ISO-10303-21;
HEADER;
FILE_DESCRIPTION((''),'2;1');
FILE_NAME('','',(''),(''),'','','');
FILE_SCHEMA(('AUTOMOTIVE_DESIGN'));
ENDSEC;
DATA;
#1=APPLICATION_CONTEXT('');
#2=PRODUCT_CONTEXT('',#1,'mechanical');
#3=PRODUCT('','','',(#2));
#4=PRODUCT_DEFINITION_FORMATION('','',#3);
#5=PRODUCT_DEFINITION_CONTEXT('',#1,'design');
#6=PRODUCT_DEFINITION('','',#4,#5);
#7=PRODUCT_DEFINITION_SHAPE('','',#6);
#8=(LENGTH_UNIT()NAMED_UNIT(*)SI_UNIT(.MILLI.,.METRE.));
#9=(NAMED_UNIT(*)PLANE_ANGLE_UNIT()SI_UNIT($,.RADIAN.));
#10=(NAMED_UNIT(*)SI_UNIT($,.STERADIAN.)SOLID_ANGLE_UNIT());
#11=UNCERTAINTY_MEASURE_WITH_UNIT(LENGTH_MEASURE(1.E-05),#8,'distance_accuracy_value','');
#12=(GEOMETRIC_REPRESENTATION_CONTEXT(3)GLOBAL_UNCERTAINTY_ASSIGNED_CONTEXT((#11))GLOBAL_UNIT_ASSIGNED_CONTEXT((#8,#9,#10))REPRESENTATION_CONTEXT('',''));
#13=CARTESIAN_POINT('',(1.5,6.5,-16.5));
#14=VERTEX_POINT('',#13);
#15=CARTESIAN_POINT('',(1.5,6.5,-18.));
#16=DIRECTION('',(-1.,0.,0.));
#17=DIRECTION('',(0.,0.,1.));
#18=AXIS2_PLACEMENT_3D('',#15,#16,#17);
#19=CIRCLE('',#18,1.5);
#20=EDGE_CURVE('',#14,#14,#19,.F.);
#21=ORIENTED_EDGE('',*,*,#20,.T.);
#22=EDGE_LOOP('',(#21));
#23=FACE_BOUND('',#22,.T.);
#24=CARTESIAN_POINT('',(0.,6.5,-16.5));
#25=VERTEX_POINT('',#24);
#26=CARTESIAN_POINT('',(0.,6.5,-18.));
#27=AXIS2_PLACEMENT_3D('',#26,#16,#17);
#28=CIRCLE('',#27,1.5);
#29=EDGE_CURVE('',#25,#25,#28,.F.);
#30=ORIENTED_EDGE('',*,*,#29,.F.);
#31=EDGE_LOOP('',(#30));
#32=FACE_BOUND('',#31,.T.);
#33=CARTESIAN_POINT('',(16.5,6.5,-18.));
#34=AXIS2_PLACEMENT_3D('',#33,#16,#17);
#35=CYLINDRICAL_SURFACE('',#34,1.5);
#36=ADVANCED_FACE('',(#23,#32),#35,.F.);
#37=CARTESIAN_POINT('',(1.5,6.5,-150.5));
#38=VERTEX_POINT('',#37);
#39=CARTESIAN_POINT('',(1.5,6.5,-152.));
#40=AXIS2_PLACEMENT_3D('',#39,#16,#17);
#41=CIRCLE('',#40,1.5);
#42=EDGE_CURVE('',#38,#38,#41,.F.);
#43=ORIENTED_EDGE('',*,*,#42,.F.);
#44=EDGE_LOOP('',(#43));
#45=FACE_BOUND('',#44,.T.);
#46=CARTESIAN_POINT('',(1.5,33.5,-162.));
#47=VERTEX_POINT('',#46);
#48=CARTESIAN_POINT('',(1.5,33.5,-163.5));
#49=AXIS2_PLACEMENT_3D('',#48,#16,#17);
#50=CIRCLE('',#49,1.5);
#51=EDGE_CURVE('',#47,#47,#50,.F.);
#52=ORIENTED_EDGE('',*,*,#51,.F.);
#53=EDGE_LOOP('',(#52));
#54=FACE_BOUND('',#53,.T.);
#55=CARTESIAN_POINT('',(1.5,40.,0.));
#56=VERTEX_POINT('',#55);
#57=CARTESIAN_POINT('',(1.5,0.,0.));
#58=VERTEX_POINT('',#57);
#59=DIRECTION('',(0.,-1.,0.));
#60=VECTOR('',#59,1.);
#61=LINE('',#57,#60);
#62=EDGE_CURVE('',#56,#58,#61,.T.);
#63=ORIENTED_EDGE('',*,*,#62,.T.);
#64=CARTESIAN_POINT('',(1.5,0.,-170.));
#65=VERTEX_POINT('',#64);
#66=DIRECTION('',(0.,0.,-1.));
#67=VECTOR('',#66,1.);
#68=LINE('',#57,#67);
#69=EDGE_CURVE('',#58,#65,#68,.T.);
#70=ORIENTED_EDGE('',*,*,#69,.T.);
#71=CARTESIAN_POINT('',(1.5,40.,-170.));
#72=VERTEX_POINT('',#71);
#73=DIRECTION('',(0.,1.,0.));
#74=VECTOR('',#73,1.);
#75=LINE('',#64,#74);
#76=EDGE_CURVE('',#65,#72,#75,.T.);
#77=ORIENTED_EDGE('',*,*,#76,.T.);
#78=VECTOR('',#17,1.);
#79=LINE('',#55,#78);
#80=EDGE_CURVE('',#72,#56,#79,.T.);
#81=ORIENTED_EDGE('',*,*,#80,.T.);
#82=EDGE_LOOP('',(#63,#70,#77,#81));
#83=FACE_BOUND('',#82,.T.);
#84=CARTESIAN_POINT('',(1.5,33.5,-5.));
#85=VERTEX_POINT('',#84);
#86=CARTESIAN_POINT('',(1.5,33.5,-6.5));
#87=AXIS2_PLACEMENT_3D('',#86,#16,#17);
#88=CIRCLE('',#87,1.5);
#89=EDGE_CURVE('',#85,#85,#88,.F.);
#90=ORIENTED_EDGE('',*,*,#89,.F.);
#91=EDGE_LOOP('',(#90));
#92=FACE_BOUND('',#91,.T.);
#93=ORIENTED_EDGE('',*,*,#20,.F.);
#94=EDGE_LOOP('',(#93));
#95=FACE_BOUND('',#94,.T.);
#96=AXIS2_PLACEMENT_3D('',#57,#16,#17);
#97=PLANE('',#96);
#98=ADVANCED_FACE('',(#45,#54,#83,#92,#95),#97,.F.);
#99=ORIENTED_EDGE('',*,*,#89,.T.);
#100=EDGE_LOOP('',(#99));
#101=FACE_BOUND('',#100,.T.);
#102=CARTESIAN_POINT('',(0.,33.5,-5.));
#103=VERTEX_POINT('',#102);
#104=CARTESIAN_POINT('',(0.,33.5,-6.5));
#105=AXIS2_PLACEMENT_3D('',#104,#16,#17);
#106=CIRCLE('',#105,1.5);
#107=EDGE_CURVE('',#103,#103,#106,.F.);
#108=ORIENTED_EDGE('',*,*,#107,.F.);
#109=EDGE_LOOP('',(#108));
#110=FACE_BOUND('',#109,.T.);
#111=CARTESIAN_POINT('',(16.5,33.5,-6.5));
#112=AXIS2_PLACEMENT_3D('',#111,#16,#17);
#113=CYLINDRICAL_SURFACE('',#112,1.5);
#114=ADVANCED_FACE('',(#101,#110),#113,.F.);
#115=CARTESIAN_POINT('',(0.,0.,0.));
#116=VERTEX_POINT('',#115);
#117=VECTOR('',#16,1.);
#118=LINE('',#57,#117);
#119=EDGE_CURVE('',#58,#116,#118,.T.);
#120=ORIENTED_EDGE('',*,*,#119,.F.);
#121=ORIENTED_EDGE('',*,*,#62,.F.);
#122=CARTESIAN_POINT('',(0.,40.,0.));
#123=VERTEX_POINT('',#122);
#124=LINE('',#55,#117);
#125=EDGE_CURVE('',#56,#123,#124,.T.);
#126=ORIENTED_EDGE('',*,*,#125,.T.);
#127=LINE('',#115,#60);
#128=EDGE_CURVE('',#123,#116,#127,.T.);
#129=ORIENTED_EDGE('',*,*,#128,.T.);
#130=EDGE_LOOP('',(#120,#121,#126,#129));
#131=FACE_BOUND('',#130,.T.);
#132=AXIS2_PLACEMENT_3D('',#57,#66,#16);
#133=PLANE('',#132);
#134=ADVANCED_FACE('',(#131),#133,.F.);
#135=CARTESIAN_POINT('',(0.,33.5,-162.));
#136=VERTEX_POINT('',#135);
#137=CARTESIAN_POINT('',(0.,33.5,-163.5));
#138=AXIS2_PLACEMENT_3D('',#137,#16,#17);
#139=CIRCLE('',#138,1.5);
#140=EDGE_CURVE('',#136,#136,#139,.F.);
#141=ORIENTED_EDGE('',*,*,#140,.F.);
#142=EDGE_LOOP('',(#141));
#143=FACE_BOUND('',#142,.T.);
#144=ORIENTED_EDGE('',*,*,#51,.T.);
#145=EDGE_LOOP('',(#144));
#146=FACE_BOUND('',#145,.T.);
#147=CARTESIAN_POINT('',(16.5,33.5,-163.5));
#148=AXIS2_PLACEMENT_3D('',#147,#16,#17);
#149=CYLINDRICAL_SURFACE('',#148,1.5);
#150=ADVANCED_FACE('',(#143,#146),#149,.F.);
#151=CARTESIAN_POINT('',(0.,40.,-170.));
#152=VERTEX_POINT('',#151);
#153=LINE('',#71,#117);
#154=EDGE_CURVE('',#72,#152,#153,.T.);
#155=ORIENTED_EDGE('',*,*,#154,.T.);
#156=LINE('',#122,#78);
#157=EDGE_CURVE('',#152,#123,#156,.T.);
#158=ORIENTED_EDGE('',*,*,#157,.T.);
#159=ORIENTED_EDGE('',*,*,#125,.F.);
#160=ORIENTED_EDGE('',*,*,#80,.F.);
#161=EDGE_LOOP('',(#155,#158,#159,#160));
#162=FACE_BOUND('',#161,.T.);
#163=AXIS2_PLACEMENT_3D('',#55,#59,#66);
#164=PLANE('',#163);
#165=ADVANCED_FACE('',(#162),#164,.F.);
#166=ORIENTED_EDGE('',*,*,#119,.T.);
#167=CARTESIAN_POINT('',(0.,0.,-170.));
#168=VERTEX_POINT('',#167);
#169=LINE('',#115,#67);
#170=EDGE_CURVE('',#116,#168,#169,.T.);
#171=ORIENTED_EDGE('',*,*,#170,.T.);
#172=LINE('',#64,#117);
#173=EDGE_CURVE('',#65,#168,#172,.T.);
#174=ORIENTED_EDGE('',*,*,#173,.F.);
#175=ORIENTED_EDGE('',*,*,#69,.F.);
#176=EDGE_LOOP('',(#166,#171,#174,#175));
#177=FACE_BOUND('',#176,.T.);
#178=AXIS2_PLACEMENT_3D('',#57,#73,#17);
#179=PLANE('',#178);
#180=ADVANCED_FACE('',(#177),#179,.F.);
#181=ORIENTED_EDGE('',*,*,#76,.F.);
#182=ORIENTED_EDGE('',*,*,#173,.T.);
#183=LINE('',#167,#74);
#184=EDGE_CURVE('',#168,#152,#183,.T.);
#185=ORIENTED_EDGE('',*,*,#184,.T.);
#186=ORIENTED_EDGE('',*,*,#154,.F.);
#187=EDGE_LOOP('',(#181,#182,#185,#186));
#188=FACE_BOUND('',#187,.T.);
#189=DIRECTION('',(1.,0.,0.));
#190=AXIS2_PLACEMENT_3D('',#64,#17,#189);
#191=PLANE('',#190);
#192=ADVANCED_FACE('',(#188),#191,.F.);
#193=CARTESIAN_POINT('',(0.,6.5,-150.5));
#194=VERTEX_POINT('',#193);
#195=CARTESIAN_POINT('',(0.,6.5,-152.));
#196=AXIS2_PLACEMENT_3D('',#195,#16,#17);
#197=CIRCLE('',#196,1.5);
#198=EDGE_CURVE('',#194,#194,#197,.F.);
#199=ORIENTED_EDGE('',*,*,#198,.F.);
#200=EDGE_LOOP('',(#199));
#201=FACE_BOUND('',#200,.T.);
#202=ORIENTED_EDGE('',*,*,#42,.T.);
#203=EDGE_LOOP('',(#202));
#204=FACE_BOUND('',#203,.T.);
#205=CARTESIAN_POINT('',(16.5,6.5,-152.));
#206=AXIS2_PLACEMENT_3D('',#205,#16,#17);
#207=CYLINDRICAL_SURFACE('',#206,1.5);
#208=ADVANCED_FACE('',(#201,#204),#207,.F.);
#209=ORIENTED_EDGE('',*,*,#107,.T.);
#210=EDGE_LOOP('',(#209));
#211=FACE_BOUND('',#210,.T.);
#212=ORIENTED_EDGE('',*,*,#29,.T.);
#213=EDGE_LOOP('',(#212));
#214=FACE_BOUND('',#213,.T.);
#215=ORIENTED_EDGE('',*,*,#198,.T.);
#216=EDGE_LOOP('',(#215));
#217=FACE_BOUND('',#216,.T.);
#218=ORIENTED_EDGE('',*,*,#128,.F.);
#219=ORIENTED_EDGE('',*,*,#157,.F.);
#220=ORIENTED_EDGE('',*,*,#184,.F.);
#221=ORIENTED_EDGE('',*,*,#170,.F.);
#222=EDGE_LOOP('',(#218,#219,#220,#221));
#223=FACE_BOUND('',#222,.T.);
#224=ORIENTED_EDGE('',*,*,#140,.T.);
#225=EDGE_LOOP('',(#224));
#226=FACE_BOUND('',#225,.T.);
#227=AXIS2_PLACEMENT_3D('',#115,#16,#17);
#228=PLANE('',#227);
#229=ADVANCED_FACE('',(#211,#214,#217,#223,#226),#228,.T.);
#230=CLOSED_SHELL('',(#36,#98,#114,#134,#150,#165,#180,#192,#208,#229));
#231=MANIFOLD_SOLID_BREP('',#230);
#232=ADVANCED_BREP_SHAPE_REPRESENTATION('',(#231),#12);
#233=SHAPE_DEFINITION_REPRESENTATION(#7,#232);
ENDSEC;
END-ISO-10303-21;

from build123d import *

# Parameters (mm, degrees)
SKETCH1_W               = 170
SKETCH1_H               = 40
BOSS_EXTRUDE1_DEPTH     = 1.5
CUT_EXTRUDE1_DEPTH      = 15
CUT_EXTRUDE1_DEPTH_BACK = 15
SKETCH2_R               = 1.5


with BuildPart() as part:
    # Sketch1 → Boss-Extrude1 (new body)
    with BuildSketch(Plane(origin=(0, 0, 0), x_dir=(0, 0, -1), z_dir=(1, 0, 0))):
        with Locations((85, 20)):
            Rectangle(SKETCH1_W, SKETCH1_H)
    extrude(amount=BOSS_EXTRUDE1_DEPTH)

    # Sketch2 → Cut-Extrude1 (cut, two sides: drawn at the far end of the back side and taken through both)
    with BuildSketch(Plane(origin=(1.5, 0, 0), x_dir=(0, 0, -1), z_dir=(1, 0, 0)).offset(-CUT_EXTRUDE1_DEPTH_BACK)):
        with Locations((18, 6.5)):
            Circle(SKETCH2_R)
        with Locations((152, 6.5)):
            Circle(SKETCH2_R)
        with Locations((163.5, 33.5)):
            Circle(SKETCH2_R)
        with Locations((6.5, 33.5)):
            Circle(SKETCH2_R)
    extrude(amount=CUT_EXTRUDE1_DEPTH + CUT_EXTRUDE1_DEPTH_BACK, mode=Mode.SUBTRACT)


solid = part.part
